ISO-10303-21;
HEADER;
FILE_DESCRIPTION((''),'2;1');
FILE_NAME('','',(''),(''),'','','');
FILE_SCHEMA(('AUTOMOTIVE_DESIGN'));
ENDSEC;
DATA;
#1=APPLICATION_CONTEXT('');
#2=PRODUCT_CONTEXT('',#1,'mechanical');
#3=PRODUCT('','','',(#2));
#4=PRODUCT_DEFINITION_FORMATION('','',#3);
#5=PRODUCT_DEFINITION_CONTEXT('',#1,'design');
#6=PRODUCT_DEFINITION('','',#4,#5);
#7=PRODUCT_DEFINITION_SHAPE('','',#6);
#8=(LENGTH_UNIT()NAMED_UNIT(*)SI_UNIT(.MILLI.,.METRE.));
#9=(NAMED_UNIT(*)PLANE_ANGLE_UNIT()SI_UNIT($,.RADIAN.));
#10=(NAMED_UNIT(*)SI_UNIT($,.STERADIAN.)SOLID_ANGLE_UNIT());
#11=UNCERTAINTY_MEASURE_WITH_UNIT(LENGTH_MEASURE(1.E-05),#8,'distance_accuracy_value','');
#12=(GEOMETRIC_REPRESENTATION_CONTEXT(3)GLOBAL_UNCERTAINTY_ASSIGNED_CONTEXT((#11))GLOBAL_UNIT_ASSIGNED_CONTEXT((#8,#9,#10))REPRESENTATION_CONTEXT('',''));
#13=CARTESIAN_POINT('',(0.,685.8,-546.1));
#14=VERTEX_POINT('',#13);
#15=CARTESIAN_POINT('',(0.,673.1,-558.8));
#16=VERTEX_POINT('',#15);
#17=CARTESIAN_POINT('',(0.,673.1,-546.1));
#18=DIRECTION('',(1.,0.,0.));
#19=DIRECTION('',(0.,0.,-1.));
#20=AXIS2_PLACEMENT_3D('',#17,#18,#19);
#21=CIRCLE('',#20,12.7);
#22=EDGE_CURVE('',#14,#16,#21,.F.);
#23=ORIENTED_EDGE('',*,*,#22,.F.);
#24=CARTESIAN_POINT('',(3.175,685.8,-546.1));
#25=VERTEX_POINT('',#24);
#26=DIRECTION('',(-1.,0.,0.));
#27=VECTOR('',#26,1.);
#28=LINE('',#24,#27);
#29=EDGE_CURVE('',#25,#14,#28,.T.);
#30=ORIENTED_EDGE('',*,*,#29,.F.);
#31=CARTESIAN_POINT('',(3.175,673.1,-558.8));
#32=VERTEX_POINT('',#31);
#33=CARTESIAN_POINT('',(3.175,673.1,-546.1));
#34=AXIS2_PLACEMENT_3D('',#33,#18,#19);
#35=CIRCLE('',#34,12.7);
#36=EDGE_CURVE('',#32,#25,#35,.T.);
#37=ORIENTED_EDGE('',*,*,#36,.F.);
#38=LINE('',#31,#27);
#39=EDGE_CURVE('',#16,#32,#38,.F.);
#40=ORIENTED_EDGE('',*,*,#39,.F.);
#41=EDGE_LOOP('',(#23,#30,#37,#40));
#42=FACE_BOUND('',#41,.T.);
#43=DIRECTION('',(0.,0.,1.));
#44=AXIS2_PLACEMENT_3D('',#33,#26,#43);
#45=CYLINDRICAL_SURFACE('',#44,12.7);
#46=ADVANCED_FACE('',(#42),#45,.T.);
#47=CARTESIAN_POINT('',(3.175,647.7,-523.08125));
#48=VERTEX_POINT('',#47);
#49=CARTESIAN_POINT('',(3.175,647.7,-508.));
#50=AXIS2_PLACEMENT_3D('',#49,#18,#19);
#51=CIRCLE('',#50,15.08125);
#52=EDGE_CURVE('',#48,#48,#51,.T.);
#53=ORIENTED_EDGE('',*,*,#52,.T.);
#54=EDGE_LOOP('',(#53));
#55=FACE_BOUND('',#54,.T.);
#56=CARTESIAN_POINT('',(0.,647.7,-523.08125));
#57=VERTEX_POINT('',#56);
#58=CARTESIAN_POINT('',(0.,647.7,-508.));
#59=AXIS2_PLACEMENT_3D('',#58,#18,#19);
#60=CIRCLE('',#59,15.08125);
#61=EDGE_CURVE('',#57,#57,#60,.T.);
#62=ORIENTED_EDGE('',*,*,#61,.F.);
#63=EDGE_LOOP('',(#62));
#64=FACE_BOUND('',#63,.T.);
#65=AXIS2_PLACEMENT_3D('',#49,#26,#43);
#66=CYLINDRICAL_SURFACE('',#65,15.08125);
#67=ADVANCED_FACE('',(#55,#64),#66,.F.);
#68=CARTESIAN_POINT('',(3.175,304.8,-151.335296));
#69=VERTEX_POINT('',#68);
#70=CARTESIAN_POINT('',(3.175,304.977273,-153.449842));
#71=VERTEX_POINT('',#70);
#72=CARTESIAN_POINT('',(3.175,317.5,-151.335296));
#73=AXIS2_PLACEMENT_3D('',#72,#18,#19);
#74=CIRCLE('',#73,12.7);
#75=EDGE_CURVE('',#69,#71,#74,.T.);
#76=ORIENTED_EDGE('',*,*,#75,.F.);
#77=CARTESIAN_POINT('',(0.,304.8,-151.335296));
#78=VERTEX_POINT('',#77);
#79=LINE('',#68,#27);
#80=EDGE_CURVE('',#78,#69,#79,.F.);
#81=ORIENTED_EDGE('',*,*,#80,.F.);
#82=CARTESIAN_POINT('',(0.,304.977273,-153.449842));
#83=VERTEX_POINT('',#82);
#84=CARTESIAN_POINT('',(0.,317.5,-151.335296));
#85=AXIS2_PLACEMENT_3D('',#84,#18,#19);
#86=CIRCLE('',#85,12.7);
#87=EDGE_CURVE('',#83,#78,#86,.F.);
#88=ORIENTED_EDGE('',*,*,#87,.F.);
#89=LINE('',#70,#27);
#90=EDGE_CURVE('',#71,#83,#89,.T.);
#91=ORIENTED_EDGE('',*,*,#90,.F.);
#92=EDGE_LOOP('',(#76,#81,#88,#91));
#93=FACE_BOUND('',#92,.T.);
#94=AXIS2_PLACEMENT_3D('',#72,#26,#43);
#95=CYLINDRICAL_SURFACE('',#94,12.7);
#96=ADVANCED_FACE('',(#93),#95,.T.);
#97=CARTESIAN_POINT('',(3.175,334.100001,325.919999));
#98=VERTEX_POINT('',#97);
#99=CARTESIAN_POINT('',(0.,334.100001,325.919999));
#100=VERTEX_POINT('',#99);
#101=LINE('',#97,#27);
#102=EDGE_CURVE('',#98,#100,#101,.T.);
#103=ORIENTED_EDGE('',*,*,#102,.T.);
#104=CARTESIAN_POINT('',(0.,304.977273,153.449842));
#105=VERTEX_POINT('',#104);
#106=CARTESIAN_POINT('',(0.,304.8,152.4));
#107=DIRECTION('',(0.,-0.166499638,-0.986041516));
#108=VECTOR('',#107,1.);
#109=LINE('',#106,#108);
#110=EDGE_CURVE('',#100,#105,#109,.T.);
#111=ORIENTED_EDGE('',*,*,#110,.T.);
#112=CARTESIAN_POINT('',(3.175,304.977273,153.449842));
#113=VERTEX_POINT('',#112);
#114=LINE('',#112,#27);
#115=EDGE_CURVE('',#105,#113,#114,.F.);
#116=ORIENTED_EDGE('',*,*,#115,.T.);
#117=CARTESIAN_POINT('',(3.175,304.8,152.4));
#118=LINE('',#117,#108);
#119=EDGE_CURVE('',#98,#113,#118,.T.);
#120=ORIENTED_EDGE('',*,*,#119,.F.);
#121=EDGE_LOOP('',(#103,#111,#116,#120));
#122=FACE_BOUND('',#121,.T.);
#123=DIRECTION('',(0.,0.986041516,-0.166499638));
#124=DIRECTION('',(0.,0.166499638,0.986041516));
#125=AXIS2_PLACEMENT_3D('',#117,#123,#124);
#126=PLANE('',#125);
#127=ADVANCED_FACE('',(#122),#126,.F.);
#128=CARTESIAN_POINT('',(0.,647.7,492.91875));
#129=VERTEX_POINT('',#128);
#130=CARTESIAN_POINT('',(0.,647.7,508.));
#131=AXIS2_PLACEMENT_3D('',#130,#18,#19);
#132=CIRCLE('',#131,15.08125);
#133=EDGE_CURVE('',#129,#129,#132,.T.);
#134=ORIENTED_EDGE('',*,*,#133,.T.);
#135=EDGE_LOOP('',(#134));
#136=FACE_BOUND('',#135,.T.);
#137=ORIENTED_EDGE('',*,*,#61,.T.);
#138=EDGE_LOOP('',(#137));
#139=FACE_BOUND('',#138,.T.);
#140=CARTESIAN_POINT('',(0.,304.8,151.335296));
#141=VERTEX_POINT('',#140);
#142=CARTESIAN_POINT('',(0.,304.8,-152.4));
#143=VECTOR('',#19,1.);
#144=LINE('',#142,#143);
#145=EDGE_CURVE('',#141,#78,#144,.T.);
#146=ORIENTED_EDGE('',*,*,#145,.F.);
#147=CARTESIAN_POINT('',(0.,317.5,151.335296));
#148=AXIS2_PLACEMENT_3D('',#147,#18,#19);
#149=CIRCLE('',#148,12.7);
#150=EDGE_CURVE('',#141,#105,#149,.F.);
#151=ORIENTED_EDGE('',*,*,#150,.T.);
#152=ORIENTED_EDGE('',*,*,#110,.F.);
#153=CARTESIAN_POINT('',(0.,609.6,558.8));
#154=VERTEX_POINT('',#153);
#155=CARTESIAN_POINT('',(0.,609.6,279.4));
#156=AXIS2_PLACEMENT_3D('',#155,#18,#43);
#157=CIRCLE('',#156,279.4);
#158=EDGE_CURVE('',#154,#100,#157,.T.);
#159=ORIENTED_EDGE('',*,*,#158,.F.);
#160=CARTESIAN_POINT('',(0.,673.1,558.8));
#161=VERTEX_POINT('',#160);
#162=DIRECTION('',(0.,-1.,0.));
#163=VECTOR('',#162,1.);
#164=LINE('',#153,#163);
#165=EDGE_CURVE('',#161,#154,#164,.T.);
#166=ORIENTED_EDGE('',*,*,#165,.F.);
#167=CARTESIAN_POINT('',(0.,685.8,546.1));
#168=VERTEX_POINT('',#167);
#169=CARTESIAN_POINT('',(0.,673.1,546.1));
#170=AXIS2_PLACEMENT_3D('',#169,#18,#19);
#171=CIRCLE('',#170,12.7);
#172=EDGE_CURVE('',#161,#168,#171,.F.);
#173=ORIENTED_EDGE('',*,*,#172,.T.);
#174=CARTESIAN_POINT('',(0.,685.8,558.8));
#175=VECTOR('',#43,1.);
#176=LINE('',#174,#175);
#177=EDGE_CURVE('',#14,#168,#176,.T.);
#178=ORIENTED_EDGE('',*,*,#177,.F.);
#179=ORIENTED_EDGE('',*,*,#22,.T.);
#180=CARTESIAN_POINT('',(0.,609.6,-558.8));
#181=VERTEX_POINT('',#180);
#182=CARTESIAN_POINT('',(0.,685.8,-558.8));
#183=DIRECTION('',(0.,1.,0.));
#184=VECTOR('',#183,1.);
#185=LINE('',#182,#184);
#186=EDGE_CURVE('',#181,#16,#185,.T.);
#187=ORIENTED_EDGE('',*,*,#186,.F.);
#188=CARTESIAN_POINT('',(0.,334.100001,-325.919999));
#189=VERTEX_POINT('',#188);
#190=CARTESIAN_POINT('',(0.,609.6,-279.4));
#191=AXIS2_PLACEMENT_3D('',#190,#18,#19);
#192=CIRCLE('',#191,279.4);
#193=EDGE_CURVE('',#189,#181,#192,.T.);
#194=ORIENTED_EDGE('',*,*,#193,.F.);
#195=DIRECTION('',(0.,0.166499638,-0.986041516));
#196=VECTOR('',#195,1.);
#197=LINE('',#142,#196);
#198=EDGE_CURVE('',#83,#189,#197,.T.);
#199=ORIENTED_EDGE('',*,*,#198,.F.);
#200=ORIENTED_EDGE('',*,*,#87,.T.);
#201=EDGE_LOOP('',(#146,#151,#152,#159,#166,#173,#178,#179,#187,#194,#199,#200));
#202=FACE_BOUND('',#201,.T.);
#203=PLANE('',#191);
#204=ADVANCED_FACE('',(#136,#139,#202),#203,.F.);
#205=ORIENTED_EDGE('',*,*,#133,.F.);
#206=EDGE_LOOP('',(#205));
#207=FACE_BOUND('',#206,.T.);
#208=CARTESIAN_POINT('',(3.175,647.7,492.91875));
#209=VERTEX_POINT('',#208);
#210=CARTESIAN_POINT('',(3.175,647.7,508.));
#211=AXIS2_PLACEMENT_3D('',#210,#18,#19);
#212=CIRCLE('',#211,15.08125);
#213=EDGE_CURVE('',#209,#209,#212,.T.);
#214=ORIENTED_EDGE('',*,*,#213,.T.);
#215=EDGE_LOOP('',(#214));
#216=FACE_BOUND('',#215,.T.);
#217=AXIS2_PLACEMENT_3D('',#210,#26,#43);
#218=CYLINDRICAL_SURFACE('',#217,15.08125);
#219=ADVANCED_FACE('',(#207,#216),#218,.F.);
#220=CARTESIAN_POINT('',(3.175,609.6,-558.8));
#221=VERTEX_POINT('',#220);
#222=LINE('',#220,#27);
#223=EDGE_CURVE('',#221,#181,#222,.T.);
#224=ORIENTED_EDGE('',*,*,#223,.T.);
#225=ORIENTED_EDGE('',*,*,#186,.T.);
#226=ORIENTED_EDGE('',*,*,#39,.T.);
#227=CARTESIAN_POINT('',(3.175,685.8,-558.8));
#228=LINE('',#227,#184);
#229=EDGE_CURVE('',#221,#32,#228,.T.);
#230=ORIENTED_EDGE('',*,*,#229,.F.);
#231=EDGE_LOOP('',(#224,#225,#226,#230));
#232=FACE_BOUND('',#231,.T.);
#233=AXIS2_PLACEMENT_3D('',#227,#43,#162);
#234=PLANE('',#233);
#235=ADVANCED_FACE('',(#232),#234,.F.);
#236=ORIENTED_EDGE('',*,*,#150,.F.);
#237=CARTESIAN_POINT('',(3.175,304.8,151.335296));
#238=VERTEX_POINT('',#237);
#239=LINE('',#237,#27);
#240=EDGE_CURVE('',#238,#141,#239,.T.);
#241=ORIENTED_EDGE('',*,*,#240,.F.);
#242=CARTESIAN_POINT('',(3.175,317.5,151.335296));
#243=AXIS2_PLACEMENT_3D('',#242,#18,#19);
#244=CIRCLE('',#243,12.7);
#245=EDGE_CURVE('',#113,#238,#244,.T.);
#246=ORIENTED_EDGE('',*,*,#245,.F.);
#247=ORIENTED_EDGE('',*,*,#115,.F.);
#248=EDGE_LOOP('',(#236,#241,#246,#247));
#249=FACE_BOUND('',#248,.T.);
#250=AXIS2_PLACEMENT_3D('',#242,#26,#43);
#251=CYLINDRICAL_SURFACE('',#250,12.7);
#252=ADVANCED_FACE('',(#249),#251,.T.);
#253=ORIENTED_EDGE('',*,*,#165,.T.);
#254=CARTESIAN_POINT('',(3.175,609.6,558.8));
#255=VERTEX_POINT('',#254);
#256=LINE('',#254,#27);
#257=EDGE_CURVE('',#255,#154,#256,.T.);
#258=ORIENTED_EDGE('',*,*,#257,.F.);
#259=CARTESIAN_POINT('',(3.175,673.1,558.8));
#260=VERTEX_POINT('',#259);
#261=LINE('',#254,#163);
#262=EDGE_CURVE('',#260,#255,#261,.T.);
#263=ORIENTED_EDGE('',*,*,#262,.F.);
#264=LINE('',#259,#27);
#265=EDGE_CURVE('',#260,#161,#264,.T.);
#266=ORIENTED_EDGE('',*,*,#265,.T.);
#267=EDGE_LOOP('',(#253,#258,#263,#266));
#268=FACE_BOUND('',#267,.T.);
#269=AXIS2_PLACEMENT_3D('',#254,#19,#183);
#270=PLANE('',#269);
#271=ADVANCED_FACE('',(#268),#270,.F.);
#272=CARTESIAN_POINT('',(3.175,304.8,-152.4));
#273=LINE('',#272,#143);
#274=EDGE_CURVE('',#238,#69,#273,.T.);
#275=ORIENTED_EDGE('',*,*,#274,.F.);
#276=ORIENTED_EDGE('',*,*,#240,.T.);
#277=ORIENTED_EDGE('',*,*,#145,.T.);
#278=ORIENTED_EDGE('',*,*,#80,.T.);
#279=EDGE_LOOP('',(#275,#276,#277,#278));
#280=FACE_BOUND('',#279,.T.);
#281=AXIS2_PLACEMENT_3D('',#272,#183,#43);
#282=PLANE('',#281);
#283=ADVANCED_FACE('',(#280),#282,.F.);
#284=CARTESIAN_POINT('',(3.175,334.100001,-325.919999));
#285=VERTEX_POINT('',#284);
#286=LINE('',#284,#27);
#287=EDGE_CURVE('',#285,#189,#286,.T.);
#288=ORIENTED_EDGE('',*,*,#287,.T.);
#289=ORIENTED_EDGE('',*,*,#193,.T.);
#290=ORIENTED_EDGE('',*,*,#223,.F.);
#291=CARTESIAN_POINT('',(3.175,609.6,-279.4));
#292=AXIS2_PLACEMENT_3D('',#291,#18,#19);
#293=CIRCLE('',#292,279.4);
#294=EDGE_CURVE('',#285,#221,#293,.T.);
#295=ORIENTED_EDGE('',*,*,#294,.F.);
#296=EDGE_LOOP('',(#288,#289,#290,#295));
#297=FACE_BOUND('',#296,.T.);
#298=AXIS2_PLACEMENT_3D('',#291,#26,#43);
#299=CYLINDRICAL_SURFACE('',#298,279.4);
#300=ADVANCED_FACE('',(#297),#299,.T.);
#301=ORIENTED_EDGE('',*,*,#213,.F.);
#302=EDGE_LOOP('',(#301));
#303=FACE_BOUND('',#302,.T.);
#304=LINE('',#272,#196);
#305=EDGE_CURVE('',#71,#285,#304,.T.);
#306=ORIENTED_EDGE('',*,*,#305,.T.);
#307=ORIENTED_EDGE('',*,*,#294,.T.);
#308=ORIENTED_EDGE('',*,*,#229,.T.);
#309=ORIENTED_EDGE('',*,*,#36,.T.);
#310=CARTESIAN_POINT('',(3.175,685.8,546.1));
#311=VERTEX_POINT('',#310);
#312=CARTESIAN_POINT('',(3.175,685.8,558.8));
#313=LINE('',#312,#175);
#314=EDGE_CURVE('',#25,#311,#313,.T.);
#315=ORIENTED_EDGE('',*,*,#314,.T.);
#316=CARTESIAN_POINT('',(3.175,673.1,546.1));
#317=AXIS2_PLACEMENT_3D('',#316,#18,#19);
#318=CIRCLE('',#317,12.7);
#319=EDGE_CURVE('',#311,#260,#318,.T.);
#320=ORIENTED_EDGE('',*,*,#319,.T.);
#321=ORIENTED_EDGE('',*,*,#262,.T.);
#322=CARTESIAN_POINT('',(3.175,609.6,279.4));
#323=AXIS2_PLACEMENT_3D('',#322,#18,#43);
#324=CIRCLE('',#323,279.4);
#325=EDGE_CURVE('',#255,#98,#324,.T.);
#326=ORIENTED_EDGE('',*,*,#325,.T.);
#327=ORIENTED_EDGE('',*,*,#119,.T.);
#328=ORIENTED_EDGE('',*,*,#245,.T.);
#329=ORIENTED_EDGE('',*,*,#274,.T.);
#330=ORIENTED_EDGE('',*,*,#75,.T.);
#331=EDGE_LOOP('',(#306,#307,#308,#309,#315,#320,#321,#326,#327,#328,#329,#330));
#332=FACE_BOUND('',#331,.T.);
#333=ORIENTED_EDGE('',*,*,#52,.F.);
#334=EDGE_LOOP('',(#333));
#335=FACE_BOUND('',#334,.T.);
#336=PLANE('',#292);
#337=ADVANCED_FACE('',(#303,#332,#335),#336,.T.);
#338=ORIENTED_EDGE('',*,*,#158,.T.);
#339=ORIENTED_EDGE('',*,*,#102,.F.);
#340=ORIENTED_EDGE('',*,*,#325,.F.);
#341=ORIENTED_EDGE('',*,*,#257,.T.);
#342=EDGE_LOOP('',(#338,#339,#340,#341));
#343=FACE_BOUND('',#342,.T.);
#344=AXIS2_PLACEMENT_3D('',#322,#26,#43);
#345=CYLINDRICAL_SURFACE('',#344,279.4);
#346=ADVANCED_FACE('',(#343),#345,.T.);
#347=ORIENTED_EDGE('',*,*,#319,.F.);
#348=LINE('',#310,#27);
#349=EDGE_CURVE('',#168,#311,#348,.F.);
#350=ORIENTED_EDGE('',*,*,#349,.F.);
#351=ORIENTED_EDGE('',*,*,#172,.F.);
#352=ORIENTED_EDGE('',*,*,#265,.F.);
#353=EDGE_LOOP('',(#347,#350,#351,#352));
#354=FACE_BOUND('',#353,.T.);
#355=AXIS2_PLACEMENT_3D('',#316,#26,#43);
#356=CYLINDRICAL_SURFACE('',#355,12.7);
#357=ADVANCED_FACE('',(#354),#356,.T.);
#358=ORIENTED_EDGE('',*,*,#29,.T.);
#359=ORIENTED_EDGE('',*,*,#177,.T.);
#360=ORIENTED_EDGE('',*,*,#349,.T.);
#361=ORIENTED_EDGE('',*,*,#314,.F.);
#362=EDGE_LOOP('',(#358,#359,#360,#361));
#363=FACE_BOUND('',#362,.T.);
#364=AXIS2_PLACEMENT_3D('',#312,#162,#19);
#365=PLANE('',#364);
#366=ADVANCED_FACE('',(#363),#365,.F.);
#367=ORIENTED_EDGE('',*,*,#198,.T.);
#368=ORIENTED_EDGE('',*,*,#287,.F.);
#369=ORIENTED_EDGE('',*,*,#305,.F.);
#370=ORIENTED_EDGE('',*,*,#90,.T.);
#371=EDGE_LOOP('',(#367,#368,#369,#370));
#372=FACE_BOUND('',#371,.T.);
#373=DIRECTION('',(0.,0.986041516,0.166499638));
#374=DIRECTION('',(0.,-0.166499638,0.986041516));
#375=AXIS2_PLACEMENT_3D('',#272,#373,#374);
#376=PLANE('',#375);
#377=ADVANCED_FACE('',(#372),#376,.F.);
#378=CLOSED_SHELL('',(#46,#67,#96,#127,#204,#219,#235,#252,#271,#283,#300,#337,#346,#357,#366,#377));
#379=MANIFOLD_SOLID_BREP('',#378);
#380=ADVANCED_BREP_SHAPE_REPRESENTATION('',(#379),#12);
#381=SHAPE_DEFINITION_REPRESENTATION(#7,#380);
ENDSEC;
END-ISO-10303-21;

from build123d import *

# Parameters (mm, degrees)
SKETCH1_R           = 15.08125
BOSS_EXTRUDE1_DEPTH = 3.175
FILLET1_R           = 12.7


with BuildPart() as part:
    # Sketch1 → Boss-Extrude1 (new body)
    with BuildSketch(Plane(origin=(0, 0, 0), x_dir=(0, 0, -1), z_dir=(1, 0, 0))):
        with BuildLine():
            Line((-558.8, 609.6), (-558.8, 685.8))
            Line((-558.8, 685.8), (558.8, 685.8))
            Line((558.8, 685.8), (558.8, 609.6))
            ThreePointArc((558.8, 609.6), (492.779998657, 429.230002015), (325.91999876, 334.100000517))
            Line((325.91999876, 334.100000517), (152.4, 304.8))
            Line((152.4, 304.8), (-152.4, 304.8))
            Line((-152.4, 304.8), (-325.91999876, 334.100000517))
            ThreePointArc((-325.91999876, 334.100000517), (-492.779998657, 429.230002015), (-558.8, 609.6))
        make_face()
        with Locations((-508, 647.7)):
            Circle(SKETCH1_R, mode=Mode.SUBTRACT)
        with Locations((508, 647.7)):
            Circle(SKETCH1_R, mode=Mode.SUBTRACT)
    extrude(amount=BOSS_EXTRUDE1_DEPTH)

    # Fillet1
    fillet1_edges = [part.edges().sort_by_distance(p)[0] for p in [
        (1.5875, 304.8, -152.4),
        (1.5875, 304.8, 152.4),
        (1.5875, 685.8, 558.8),
        (1.5875, 685.8, -558.8),
    ]]
    fillet(fillet1_edges, radius=FILLET1_R)


solid = part.part
